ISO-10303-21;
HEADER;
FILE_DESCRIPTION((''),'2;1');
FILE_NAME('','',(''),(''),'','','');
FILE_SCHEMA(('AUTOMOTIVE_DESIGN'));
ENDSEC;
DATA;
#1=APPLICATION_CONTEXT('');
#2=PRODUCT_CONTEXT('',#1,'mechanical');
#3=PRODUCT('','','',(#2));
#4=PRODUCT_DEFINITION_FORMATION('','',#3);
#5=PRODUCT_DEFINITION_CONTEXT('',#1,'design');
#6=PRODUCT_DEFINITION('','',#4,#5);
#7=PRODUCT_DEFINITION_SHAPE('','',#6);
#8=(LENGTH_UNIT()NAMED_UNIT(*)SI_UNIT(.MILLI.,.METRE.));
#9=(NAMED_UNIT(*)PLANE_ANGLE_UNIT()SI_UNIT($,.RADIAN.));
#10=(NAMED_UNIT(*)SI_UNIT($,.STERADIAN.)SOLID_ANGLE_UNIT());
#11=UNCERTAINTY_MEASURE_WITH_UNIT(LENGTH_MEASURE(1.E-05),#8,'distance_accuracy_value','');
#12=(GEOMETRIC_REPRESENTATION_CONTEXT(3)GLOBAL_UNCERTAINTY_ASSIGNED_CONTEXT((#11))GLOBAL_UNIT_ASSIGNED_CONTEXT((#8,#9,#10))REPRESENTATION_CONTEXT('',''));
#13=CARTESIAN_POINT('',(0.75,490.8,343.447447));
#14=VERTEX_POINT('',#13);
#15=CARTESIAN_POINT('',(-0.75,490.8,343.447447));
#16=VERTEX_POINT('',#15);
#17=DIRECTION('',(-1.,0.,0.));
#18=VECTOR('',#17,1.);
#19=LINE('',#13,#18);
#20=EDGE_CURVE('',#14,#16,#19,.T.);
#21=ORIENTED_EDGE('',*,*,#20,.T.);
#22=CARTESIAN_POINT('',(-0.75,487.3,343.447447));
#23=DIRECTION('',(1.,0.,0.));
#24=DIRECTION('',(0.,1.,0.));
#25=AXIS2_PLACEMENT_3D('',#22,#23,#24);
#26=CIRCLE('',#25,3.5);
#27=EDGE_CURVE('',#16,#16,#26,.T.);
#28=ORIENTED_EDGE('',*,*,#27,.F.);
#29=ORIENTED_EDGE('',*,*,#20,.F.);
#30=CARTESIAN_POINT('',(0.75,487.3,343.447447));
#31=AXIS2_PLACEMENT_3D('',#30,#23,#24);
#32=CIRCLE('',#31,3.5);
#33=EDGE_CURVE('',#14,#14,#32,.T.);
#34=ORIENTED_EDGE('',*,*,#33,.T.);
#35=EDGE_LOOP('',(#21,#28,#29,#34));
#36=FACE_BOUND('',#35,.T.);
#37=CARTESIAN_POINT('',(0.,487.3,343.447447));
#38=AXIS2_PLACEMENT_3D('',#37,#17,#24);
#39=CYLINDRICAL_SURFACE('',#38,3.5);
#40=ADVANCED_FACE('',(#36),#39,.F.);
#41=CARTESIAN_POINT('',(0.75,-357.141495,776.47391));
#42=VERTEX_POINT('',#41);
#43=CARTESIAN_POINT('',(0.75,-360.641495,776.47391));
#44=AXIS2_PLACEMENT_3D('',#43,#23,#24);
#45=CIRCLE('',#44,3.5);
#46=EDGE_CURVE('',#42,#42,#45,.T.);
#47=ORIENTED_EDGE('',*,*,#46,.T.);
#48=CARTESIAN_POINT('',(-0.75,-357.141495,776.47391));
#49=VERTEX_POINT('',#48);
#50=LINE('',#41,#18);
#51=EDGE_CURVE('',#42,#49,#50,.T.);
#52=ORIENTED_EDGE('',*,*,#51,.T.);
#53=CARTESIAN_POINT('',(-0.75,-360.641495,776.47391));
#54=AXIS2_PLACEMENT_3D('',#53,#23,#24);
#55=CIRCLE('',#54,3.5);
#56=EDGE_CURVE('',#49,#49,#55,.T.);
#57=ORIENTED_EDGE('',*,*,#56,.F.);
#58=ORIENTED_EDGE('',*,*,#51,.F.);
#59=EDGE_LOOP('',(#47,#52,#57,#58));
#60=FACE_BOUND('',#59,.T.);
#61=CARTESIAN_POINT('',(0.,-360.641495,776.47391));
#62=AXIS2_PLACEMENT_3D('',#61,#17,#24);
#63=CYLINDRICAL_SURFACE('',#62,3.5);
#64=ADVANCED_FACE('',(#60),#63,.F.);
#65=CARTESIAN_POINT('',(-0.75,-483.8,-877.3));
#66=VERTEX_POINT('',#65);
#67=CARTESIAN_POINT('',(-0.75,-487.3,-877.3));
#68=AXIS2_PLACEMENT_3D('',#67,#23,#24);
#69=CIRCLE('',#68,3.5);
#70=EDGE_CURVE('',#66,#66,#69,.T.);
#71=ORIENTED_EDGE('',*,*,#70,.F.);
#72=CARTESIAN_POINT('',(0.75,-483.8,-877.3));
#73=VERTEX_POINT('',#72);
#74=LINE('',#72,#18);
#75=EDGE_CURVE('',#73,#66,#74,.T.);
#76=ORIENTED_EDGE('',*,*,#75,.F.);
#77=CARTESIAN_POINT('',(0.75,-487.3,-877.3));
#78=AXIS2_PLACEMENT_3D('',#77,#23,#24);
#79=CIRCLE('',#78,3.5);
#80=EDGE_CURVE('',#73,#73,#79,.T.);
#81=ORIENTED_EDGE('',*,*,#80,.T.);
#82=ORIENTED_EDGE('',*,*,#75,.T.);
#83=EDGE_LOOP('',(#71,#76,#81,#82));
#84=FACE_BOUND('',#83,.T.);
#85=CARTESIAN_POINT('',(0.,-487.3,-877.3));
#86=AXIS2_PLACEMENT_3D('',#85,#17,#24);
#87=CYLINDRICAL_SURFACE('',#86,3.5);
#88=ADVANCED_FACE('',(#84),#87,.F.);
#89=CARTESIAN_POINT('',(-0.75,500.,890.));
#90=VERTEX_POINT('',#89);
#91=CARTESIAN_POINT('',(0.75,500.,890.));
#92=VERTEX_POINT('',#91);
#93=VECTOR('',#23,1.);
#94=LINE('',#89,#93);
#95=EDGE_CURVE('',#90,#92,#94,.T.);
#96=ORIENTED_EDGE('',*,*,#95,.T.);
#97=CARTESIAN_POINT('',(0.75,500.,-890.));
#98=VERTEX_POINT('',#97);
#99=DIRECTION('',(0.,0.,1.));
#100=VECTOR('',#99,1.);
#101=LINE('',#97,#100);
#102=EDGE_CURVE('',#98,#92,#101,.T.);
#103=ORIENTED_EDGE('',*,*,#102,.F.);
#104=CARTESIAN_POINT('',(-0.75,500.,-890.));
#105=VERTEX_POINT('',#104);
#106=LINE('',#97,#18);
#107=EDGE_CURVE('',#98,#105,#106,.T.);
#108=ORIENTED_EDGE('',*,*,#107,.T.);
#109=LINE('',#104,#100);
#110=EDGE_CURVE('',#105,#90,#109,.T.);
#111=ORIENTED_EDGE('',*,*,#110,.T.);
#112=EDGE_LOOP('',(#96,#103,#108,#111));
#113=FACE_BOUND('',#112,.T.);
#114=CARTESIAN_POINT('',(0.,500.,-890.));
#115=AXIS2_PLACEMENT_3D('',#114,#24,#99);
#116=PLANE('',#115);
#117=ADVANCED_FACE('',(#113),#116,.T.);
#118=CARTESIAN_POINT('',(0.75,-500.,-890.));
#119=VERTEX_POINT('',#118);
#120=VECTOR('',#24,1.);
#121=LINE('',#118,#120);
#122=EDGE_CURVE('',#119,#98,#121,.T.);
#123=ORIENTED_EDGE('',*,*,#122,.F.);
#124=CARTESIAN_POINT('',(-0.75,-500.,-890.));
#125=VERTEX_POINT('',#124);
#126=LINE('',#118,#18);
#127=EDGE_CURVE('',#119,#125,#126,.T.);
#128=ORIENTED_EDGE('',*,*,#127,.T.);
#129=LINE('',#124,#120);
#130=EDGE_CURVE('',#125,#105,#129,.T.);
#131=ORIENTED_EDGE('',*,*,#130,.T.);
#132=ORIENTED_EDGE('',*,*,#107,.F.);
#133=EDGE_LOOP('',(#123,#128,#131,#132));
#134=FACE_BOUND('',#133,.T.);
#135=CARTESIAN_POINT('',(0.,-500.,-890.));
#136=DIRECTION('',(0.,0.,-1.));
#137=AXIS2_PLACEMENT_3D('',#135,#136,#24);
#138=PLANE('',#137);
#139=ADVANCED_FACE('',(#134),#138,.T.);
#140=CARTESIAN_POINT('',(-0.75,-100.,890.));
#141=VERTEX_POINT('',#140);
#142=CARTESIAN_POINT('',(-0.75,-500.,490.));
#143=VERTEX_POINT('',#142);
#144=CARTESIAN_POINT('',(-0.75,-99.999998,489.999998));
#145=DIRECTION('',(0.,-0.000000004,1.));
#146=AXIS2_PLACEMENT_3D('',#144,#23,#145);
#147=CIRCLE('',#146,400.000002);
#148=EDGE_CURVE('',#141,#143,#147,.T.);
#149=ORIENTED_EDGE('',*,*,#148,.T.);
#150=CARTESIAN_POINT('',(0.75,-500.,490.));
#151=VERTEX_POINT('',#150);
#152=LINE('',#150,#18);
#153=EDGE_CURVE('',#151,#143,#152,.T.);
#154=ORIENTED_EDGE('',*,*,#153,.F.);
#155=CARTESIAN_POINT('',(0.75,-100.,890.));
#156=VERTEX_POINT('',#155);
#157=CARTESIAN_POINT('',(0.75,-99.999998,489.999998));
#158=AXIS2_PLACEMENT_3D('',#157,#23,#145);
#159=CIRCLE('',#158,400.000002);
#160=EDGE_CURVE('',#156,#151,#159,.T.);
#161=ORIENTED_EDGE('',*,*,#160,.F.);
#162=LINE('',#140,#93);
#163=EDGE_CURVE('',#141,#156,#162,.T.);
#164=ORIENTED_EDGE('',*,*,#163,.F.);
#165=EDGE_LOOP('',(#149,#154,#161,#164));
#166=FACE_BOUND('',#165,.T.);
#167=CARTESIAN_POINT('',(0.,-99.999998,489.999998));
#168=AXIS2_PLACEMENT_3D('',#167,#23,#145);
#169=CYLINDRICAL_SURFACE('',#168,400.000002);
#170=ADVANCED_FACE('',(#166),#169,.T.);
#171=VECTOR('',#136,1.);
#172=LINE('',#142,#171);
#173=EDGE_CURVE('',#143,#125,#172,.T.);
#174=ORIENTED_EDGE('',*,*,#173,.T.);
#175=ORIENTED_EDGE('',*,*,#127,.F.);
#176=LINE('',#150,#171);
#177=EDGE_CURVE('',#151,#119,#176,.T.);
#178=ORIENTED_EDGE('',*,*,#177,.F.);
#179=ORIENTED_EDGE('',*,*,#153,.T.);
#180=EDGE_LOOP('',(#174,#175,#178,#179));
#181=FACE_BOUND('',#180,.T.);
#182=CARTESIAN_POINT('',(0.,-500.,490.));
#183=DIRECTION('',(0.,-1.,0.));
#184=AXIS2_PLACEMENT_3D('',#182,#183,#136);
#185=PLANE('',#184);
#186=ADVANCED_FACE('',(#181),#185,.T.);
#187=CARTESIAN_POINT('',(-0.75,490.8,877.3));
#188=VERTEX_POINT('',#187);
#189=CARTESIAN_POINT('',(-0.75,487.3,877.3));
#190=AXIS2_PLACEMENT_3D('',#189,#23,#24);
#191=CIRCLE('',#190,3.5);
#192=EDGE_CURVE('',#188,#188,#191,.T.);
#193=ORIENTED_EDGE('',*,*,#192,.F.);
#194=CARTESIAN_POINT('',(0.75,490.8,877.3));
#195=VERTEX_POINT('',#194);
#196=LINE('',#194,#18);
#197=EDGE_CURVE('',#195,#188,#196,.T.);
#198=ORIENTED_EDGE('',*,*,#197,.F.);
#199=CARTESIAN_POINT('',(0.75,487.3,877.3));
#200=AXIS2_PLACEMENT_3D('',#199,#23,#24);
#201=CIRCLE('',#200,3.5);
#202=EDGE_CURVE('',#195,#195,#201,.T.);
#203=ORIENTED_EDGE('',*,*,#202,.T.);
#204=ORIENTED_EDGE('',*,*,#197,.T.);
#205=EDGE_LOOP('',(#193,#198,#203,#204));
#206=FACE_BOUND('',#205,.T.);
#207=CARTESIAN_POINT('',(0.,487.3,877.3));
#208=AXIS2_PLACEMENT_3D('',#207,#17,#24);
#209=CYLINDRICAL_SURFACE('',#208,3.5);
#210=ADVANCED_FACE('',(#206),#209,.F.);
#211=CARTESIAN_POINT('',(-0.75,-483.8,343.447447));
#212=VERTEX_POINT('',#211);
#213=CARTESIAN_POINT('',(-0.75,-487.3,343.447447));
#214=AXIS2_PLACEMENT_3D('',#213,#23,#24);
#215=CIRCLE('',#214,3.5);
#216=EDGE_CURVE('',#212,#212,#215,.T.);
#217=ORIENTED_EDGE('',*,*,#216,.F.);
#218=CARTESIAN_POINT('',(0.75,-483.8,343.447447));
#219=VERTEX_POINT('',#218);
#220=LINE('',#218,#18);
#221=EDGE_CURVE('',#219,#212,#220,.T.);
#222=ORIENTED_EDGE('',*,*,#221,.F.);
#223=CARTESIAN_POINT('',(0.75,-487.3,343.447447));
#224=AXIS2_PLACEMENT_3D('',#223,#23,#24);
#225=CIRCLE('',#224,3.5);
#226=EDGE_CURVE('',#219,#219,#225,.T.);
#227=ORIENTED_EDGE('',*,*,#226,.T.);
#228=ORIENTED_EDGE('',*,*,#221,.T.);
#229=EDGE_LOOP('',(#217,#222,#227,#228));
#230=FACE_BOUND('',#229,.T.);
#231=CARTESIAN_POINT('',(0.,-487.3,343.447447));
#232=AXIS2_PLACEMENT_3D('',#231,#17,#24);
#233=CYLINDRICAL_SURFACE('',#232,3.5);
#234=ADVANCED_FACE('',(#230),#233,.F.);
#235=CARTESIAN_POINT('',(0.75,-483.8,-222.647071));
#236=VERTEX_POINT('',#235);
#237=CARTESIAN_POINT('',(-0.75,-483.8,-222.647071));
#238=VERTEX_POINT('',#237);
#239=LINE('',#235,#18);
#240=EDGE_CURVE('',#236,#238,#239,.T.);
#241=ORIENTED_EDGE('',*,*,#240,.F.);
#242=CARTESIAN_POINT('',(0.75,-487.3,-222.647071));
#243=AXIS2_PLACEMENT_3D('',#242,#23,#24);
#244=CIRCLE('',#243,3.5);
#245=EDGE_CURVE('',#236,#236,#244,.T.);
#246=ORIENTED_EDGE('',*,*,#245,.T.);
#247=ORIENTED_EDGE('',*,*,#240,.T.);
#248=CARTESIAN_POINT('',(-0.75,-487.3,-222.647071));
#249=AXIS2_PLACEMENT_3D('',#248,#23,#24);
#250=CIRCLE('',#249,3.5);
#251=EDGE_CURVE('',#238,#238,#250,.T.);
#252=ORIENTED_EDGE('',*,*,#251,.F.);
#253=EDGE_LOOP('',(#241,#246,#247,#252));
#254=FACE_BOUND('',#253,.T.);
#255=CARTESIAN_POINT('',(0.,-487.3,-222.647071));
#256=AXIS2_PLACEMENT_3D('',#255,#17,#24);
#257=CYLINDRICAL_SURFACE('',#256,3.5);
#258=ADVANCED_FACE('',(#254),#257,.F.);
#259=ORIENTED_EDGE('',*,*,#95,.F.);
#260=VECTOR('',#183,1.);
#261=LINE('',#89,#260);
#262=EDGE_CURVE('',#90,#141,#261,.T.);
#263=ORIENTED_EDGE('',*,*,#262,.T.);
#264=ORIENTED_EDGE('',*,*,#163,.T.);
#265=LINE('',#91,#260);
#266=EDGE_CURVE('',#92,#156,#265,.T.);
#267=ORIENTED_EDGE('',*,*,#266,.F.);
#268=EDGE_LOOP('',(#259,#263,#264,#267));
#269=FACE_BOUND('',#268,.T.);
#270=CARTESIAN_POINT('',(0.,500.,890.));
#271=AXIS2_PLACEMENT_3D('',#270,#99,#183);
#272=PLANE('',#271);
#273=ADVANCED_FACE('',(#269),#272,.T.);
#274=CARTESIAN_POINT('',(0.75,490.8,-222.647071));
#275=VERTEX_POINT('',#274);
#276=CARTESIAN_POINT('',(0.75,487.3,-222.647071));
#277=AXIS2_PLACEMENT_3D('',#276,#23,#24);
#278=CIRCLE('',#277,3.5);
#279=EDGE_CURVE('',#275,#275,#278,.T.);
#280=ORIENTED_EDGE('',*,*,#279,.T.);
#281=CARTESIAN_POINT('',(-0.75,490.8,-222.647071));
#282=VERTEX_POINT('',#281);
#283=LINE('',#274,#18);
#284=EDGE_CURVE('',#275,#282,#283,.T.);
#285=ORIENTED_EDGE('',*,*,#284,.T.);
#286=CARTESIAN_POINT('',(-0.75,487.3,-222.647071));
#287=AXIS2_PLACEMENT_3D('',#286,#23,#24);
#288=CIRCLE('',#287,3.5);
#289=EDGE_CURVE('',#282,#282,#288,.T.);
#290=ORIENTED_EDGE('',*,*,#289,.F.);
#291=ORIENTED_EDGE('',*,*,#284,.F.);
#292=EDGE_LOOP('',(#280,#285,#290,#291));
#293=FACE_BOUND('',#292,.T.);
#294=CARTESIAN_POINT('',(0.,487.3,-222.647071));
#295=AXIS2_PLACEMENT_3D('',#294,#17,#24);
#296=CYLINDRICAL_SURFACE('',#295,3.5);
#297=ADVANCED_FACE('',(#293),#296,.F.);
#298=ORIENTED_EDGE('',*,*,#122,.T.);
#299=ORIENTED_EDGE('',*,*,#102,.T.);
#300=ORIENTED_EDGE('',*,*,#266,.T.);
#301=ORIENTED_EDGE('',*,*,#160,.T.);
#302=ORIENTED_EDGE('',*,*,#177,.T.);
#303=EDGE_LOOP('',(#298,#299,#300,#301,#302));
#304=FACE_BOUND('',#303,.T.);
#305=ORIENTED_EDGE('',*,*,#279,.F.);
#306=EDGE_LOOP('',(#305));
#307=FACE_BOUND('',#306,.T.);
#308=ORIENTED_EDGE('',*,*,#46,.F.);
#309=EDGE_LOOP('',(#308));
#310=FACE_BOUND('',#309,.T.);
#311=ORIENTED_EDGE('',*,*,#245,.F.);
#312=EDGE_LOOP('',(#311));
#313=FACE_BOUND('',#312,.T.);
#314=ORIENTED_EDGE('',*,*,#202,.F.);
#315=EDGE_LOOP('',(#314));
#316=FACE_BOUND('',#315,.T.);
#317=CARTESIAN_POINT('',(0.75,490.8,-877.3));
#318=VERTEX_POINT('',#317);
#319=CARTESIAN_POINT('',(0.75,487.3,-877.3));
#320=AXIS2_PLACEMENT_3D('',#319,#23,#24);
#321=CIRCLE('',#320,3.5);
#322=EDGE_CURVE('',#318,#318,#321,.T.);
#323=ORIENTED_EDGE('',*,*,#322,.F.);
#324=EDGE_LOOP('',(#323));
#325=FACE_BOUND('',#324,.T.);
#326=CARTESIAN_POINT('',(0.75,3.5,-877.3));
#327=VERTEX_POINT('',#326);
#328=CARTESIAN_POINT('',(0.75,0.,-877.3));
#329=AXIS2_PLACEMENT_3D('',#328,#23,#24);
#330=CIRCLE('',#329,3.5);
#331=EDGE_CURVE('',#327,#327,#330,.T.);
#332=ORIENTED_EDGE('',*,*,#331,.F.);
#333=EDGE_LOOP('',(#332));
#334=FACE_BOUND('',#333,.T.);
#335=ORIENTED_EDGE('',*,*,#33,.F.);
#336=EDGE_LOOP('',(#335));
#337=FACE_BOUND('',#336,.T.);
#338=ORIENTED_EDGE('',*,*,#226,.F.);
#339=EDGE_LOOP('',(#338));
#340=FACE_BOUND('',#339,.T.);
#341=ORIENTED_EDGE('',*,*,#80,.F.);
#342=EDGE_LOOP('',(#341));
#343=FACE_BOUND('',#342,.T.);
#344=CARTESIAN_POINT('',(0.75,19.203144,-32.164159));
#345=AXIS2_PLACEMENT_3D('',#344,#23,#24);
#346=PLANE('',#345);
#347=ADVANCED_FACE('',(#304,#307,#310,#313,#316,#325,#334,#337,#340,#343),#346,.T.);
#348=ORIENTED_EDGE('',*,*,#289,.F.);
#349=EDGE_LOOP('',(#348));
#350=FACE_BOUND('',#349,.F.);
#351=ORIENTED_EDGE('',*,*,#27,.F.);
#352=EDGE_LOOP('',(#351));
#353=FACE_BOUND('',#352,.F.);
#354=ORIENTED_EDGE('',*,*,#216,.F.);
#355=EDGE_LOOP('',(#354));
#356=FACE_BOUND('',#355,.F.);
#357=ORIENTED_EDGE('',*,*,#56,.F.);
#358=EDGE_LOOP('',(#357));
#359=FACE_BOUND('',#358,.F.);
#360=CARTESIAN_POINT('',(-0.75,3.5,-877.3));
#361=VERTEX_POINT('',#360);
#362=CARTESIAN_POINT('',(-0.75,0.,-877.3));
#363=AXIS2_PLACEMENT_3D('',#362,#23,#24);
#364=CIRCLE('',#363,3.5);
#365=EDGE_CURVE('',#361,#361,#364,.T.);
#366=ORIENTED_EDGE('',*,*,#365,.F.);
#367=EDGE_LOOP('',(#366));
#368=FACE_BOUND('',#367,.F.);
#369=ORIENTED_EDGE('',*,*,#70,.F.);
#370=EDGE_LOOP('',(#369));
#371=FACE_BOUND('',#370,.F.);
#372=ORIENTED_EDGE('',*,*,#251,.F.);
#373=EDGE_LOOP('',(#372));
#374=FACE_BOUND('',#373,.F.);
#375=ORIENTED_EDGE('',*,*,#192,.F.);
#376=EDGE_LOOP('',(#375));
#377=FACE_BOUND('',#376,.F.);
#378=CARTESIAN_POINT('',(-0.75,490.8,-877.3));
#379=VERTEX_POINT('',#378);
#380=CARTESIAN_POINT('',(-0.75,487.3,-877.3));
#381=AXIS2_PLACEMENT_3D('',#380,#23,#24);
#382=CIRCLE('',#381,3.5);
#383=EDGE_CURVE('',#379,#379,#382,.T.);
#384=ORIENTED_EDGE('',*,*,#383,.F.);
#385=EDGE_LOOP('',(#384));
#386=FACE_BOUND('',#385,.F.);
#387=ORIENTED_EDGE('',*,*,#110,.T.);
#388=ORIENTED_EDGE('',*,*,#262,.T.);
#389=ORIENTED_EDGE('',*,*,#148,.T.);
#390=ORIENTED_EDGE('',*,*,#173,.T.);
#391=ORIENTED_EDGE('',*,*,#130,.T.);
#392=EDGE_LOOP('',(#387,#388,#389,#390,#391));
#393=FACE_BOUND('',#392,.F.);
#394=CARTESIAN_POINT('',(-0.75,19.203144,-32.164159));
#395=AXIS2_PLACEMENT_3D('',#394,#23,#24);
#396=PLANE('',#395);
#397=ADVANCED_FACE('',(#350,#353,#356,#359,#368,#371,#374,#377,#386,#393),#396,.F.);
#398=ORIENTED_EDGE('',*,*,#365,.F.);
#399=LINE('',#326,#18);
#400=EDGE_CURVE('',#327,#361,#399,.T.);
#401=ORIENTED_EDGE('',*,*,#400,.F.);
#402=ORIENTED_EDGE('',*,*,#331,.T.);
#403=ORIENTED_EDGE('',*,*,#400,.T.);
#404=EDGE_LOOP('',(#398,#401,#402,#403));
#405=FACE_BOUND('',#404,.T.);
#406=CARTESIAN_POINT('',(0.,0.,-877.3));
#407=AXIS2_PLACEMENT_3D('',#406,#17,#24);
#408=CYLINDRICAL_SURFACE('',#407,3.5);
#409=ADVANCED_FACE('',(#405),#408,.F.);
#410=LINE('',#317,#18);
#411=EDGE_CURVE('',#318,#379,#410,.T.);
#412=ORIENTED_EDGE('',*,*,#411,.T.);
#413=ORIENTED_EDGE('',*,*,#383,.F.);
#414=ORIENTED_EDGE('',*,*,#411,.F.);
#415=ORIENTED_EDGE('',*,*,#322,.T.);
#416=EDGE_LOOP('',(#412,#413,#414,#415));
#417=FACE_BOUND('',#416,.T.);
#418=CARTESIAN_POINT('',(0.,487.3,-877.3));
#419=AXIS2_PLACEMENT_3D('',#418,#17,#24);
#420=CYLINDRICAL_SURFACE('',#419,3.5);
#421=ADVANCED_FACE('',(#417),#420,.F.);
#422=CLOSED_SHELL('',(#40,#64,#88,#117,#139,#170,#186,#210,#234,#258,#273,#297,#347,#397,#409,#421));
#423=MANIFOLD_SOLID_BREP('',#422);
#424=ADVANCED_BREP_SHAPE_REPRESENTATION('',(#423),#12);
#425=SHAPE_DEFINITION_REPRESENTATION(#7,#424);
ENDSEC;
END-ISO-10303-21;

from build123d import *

# Parameters (mm, degrees)
F0_R     = 3.5
F1_DEPTH = 0.75


with BuildPart() as f1:
    # F0 (on Right) → F1 (new body, symmetric)
    with BuildSketch(Plane.YZ):
        with BuildLine():
            Line((500, -890), (500, 890))
            Line((500, 890), (-100, 890))
            ThreePointArc((-100, 890), (-382.842712, 772.842712), (-500, 490))
            Line((-500, 490), (-500, -890))
            Line((-500, -890), (500, -890))
        make_face()
        with Locations((-487.3, -877.3)):
            Circle(F0_R, mode=Mode.SUBTRACT)
        with Locations((-487.3, -222.647071)):
            Circle(F0_R, mode=Mode.SUBTRACT)
        with Locations((0, -877.3)):
            Circle(F0_R, mode=Mode.SUBTRACT)
        with Locations((487.3, -877.3)):
            Circle(F0_R, mode=Mode.SUBTRACT)
        with Locations((487.3, -222.647071)):
            Circle(F0_R, mode=Mode.SUBTRACT)
        with Locations((-487.3, 343.447447)):
            Circle(F0_R, mode=Mode.SUBTRACT)
        with Locations((-360.641495, 776.47391)):
            Circle(F0_R, mode=Mode.SUBTRACT)
        with Locations((487.3, 343.447447)):
            Circle(F0_R, mode=Mode.SUBTRACT)
        with Locations((487.3, 877.3)):
            Circle(F0_R, mode=Mode.SUBTRACT)
    extrude(amount=F1_DEPTH, both=True)


solid = f1.part
